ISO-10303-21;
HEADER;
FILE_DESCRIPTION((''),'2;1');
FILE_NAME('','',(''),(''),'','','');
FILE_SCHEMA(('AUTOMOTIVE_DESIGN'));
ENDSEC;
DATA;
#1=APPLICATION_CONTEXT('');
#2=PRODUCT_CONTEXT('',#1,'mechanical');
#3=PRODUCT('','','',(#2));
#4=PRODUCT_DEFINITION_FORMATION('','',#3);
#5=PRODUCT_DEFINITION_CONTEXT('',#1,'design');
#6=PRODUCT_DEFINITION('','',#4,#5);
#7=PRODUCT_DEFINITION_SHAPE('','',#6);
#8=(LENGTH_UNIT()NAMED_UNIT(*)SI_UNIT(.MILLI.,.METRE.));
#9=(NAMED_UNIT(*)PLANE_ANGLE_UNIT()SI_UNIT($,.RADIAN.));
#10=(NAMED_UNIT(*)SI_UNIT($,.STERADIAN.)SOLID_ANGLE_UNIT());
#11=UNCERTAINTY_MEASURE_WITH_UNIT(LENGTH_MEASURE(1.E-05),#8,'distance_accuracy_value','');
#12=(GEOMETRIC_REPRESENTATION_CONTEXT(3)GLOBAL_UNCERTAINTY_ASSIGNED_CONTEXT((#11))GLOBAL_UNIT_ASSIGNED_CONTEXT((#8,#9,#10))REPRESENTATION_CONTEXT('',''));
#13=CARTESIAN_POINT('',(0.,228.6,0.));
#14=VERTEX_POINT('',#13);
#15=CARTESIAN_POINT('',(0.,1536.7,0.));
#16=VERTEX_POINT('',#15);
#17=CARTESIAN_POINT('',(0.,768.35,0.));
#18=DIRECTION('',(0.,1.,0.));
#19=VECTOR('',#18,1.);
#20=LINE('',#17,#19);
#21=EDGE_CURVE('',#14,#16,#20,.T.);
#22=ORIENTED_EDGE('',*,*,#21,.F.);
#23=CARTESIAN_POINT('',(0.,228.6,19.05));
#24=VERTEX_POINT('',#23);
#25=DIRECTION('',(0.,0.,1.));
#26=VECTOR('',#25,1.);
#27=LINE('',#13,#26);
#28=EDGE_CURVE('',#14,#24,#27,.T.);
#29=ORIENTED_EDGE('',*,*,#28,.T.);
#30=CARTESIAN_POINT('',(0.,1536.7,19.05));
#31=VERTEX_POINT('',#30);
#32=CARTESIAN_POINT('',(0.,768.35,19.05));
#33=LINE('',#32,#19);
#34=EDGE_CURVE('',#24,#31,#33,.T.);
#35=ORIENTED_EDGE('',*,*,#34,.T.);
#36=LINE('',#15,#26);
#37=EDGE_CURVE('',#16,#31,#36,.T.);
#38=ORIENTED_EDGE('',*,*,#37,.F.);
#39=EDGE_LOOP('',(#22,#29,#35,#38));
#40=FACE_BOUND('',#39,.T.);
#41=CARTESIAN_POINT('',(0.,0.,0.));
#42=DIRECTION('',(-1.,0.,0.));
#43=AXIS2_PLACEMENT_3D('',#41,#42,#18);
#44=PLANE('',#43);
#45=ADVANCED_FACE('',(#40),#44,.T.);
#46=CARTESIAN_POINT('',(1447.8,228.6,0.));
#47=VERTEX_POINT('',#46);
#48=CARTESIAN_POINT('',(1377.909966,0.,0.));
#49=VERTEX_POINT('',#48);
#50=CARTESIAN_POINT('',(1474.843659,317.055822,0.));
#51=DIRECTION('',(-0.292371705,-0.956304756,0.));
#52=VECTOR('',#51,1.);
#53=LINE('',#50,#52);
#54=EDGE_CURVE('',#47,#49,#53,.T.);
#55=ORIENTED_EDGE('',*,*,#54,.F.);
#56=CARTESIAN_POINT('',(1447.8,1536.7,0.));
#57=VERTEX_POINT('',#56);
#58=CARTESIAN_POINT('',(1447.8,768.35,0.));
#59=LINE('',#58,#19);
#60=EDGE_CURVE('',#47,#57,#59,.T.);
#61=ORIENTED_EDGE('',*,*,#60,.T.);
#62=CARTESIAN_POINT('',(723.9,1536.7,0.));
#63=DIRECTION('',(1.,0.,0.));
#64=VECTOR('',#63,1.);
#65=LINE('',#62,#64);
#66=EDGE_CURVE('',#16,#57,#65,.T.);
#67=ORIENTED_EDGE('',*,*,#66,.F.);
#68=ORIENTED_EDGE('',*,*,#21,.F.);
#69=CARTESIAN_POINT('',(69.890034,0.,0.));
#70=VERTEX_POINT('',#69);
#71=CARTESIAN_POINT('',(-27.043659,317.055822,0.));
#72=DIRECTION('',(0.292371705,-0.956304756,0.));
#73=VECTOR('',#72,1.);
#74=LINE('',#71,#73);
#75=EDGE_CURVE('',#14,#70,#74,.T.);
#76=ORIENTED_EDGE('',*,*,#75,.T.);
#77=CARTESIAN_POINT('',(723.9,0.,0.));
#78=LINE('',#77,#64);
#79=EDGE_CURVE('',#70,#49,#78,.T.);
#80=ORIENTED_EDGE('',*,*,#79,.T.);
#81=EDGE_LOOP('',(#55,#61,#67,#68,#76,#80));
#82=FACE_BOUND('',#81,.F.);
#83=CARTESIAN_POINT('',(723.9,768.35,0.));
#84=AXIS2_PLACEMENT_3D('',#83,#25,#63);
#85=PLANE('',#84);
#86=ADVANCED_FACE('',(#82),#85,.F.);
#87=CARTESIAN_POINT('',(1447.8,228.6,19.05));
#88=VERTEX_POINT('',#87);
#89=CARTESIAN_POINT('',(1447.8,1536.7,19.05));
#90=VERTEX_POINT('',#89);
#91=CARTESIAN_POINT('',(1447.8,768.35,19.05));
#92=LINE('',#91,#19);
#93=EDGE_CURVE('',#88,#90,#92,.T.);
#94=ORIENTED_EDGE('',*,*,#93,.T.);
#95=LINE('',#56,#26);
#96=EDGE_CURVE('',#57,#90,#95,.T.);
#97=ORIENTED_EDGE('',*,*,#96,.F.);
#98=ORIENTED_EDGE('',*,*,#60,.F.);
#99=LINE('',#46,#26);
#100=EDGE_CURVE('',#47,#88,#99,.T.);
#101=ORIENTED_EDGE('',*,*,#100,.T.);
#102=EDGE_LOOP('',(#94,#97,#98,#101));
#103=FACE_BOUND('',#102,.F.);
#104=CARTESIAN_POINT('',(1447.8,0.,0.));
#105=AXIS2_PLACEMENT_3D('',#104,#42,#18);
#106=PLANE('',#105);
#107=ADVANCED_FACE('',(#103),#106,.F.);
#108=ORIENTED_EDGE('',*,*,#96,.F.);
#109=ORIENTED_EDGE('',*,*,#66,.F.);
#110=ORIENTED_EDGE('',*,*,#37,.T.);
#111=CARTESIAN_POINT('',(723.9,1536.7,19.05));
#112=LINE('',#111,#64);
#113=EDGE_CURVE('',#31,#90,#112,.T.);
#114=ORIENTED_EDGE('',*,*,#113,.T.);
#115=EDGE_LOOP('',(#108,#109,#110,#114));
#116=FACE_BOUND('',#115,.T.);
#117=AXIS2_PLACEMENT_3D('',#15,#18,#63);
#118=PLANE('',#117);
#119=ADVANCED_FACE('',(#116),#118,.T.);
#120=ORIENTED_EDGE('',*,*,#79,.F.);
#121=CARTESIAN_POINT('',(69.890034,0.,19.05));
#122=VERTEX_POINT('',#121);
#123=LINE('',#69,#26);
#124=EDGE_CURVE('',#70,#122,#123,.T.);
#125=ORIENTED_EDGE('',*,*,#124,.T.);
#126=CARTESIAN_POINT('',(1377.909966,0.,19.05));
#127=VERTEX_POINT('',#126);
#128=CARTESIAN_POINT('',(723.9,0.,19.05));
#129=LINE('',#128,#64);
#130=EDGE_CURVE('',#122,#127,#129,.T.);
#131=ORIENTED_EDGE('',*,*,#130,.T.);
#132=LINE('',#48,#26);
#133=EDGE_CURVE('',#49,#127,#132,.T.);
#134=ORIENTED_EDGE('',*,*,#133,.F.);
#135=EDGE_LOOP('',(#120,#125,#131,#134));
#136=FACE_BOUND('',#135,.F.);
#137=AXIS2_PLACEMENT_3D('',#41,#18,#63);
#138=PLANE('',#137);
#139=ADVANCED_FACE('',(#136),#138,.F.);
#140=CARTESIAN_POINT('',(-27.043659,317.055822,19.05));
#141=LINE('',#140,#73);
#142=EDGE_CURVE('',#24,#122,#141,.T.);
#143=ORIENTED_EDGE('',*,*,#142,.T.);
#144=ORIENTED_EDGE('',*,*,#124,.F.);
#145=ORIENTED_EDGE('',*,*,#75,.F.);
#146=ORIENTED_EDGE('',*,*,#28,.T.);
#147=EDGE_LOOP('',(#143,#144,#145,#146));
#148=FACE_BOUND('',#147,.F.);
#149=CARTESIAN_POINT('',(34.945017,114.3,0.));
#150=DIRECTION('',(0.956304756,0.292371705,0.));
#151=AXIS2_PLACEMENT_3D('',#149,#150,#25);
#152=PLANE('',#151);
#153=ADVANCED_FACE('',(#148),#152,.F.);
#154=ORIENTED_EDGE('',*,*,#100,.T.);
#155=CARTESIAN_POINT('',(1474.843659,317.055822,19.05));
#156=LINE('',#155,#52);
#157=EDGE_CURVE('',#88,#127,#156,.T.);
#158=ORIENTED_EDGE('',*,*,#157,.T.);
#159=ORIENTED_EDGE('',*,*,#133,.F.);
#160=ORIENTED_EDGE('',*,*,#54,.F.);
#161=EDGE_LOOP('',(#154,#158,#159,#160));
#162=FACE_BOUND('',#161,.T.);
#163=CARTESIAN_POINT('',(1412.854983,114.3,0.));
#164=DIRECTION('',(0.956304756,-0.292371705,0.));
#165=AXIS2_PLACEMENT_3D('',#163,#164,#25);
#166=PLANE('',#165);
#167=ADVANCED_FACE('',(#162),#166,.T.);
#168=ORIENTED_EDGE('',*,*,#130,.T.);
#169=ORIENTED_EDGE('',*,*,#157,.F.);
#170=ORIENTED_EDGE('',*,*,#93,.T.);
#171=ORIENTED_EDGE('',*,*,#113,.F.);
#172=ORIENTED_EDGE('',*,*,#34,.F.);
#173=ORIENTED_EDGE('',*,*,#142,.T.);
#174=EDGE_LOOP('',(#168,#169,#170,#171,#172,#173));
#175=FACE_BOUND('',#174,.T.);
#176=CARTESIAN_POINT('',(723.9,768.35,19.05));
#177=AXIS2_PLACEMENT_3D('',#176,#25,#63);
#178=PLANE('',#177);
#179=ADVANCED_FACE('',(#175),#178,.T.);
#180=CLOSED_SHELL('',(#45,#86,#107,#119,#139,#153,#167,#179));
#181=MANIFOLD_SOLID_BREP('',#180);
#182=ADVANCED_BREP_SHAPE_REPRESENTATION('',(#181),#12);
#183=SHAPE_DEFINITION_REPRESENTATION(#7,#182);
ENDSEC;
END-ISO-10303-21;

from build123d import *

# Parameters (mm, degrees)
F0_W       = 1447.8
F0_H       = 1536.7
F1_DEPTH   = 19.05
F2_SIZE2   = 69.8900337814
F2_SIZE    = 228.6
F2_2_SIZE2 = 69.8900337814
F2_2_SIZE  = 228.6


with BuildPart() as f1:
    # F0 (on Top) → F1 (new body)
    with BuildSketch(Plane.XY):
        with Locations((723.9, 768.35)):
            Rectangle(F0_W, F0_H)
    extrude(amount=F1_DEPTH)

    # F2
    f2_edges = [f1.edges().sort_by_distance(p)[0] for p in [
        (1447.8, 0, 9.525),
    ]]
    f2_side = f1.faces().sort_by_distance((1447.8, 768.35, 9.525))[0]
    chamfer(f2_edges, length=F2_SIZE, length2=F2_SIZE2, reference=f2_side)

    # F2#2
    f2_2_edges = [f1.edges().sort_by_distance(p)[0] for p in [
        (0, 0, 9.525),
    ]]
    f2_2_side = f1.faces().sort_by_distance((0, 768.35, 9.525))[0]
    chamfer(f2_2_edges, length=F2_2_SIZE, length2=F2_2_SIZE2, reference=f2_2_side)


solid = f1.part
